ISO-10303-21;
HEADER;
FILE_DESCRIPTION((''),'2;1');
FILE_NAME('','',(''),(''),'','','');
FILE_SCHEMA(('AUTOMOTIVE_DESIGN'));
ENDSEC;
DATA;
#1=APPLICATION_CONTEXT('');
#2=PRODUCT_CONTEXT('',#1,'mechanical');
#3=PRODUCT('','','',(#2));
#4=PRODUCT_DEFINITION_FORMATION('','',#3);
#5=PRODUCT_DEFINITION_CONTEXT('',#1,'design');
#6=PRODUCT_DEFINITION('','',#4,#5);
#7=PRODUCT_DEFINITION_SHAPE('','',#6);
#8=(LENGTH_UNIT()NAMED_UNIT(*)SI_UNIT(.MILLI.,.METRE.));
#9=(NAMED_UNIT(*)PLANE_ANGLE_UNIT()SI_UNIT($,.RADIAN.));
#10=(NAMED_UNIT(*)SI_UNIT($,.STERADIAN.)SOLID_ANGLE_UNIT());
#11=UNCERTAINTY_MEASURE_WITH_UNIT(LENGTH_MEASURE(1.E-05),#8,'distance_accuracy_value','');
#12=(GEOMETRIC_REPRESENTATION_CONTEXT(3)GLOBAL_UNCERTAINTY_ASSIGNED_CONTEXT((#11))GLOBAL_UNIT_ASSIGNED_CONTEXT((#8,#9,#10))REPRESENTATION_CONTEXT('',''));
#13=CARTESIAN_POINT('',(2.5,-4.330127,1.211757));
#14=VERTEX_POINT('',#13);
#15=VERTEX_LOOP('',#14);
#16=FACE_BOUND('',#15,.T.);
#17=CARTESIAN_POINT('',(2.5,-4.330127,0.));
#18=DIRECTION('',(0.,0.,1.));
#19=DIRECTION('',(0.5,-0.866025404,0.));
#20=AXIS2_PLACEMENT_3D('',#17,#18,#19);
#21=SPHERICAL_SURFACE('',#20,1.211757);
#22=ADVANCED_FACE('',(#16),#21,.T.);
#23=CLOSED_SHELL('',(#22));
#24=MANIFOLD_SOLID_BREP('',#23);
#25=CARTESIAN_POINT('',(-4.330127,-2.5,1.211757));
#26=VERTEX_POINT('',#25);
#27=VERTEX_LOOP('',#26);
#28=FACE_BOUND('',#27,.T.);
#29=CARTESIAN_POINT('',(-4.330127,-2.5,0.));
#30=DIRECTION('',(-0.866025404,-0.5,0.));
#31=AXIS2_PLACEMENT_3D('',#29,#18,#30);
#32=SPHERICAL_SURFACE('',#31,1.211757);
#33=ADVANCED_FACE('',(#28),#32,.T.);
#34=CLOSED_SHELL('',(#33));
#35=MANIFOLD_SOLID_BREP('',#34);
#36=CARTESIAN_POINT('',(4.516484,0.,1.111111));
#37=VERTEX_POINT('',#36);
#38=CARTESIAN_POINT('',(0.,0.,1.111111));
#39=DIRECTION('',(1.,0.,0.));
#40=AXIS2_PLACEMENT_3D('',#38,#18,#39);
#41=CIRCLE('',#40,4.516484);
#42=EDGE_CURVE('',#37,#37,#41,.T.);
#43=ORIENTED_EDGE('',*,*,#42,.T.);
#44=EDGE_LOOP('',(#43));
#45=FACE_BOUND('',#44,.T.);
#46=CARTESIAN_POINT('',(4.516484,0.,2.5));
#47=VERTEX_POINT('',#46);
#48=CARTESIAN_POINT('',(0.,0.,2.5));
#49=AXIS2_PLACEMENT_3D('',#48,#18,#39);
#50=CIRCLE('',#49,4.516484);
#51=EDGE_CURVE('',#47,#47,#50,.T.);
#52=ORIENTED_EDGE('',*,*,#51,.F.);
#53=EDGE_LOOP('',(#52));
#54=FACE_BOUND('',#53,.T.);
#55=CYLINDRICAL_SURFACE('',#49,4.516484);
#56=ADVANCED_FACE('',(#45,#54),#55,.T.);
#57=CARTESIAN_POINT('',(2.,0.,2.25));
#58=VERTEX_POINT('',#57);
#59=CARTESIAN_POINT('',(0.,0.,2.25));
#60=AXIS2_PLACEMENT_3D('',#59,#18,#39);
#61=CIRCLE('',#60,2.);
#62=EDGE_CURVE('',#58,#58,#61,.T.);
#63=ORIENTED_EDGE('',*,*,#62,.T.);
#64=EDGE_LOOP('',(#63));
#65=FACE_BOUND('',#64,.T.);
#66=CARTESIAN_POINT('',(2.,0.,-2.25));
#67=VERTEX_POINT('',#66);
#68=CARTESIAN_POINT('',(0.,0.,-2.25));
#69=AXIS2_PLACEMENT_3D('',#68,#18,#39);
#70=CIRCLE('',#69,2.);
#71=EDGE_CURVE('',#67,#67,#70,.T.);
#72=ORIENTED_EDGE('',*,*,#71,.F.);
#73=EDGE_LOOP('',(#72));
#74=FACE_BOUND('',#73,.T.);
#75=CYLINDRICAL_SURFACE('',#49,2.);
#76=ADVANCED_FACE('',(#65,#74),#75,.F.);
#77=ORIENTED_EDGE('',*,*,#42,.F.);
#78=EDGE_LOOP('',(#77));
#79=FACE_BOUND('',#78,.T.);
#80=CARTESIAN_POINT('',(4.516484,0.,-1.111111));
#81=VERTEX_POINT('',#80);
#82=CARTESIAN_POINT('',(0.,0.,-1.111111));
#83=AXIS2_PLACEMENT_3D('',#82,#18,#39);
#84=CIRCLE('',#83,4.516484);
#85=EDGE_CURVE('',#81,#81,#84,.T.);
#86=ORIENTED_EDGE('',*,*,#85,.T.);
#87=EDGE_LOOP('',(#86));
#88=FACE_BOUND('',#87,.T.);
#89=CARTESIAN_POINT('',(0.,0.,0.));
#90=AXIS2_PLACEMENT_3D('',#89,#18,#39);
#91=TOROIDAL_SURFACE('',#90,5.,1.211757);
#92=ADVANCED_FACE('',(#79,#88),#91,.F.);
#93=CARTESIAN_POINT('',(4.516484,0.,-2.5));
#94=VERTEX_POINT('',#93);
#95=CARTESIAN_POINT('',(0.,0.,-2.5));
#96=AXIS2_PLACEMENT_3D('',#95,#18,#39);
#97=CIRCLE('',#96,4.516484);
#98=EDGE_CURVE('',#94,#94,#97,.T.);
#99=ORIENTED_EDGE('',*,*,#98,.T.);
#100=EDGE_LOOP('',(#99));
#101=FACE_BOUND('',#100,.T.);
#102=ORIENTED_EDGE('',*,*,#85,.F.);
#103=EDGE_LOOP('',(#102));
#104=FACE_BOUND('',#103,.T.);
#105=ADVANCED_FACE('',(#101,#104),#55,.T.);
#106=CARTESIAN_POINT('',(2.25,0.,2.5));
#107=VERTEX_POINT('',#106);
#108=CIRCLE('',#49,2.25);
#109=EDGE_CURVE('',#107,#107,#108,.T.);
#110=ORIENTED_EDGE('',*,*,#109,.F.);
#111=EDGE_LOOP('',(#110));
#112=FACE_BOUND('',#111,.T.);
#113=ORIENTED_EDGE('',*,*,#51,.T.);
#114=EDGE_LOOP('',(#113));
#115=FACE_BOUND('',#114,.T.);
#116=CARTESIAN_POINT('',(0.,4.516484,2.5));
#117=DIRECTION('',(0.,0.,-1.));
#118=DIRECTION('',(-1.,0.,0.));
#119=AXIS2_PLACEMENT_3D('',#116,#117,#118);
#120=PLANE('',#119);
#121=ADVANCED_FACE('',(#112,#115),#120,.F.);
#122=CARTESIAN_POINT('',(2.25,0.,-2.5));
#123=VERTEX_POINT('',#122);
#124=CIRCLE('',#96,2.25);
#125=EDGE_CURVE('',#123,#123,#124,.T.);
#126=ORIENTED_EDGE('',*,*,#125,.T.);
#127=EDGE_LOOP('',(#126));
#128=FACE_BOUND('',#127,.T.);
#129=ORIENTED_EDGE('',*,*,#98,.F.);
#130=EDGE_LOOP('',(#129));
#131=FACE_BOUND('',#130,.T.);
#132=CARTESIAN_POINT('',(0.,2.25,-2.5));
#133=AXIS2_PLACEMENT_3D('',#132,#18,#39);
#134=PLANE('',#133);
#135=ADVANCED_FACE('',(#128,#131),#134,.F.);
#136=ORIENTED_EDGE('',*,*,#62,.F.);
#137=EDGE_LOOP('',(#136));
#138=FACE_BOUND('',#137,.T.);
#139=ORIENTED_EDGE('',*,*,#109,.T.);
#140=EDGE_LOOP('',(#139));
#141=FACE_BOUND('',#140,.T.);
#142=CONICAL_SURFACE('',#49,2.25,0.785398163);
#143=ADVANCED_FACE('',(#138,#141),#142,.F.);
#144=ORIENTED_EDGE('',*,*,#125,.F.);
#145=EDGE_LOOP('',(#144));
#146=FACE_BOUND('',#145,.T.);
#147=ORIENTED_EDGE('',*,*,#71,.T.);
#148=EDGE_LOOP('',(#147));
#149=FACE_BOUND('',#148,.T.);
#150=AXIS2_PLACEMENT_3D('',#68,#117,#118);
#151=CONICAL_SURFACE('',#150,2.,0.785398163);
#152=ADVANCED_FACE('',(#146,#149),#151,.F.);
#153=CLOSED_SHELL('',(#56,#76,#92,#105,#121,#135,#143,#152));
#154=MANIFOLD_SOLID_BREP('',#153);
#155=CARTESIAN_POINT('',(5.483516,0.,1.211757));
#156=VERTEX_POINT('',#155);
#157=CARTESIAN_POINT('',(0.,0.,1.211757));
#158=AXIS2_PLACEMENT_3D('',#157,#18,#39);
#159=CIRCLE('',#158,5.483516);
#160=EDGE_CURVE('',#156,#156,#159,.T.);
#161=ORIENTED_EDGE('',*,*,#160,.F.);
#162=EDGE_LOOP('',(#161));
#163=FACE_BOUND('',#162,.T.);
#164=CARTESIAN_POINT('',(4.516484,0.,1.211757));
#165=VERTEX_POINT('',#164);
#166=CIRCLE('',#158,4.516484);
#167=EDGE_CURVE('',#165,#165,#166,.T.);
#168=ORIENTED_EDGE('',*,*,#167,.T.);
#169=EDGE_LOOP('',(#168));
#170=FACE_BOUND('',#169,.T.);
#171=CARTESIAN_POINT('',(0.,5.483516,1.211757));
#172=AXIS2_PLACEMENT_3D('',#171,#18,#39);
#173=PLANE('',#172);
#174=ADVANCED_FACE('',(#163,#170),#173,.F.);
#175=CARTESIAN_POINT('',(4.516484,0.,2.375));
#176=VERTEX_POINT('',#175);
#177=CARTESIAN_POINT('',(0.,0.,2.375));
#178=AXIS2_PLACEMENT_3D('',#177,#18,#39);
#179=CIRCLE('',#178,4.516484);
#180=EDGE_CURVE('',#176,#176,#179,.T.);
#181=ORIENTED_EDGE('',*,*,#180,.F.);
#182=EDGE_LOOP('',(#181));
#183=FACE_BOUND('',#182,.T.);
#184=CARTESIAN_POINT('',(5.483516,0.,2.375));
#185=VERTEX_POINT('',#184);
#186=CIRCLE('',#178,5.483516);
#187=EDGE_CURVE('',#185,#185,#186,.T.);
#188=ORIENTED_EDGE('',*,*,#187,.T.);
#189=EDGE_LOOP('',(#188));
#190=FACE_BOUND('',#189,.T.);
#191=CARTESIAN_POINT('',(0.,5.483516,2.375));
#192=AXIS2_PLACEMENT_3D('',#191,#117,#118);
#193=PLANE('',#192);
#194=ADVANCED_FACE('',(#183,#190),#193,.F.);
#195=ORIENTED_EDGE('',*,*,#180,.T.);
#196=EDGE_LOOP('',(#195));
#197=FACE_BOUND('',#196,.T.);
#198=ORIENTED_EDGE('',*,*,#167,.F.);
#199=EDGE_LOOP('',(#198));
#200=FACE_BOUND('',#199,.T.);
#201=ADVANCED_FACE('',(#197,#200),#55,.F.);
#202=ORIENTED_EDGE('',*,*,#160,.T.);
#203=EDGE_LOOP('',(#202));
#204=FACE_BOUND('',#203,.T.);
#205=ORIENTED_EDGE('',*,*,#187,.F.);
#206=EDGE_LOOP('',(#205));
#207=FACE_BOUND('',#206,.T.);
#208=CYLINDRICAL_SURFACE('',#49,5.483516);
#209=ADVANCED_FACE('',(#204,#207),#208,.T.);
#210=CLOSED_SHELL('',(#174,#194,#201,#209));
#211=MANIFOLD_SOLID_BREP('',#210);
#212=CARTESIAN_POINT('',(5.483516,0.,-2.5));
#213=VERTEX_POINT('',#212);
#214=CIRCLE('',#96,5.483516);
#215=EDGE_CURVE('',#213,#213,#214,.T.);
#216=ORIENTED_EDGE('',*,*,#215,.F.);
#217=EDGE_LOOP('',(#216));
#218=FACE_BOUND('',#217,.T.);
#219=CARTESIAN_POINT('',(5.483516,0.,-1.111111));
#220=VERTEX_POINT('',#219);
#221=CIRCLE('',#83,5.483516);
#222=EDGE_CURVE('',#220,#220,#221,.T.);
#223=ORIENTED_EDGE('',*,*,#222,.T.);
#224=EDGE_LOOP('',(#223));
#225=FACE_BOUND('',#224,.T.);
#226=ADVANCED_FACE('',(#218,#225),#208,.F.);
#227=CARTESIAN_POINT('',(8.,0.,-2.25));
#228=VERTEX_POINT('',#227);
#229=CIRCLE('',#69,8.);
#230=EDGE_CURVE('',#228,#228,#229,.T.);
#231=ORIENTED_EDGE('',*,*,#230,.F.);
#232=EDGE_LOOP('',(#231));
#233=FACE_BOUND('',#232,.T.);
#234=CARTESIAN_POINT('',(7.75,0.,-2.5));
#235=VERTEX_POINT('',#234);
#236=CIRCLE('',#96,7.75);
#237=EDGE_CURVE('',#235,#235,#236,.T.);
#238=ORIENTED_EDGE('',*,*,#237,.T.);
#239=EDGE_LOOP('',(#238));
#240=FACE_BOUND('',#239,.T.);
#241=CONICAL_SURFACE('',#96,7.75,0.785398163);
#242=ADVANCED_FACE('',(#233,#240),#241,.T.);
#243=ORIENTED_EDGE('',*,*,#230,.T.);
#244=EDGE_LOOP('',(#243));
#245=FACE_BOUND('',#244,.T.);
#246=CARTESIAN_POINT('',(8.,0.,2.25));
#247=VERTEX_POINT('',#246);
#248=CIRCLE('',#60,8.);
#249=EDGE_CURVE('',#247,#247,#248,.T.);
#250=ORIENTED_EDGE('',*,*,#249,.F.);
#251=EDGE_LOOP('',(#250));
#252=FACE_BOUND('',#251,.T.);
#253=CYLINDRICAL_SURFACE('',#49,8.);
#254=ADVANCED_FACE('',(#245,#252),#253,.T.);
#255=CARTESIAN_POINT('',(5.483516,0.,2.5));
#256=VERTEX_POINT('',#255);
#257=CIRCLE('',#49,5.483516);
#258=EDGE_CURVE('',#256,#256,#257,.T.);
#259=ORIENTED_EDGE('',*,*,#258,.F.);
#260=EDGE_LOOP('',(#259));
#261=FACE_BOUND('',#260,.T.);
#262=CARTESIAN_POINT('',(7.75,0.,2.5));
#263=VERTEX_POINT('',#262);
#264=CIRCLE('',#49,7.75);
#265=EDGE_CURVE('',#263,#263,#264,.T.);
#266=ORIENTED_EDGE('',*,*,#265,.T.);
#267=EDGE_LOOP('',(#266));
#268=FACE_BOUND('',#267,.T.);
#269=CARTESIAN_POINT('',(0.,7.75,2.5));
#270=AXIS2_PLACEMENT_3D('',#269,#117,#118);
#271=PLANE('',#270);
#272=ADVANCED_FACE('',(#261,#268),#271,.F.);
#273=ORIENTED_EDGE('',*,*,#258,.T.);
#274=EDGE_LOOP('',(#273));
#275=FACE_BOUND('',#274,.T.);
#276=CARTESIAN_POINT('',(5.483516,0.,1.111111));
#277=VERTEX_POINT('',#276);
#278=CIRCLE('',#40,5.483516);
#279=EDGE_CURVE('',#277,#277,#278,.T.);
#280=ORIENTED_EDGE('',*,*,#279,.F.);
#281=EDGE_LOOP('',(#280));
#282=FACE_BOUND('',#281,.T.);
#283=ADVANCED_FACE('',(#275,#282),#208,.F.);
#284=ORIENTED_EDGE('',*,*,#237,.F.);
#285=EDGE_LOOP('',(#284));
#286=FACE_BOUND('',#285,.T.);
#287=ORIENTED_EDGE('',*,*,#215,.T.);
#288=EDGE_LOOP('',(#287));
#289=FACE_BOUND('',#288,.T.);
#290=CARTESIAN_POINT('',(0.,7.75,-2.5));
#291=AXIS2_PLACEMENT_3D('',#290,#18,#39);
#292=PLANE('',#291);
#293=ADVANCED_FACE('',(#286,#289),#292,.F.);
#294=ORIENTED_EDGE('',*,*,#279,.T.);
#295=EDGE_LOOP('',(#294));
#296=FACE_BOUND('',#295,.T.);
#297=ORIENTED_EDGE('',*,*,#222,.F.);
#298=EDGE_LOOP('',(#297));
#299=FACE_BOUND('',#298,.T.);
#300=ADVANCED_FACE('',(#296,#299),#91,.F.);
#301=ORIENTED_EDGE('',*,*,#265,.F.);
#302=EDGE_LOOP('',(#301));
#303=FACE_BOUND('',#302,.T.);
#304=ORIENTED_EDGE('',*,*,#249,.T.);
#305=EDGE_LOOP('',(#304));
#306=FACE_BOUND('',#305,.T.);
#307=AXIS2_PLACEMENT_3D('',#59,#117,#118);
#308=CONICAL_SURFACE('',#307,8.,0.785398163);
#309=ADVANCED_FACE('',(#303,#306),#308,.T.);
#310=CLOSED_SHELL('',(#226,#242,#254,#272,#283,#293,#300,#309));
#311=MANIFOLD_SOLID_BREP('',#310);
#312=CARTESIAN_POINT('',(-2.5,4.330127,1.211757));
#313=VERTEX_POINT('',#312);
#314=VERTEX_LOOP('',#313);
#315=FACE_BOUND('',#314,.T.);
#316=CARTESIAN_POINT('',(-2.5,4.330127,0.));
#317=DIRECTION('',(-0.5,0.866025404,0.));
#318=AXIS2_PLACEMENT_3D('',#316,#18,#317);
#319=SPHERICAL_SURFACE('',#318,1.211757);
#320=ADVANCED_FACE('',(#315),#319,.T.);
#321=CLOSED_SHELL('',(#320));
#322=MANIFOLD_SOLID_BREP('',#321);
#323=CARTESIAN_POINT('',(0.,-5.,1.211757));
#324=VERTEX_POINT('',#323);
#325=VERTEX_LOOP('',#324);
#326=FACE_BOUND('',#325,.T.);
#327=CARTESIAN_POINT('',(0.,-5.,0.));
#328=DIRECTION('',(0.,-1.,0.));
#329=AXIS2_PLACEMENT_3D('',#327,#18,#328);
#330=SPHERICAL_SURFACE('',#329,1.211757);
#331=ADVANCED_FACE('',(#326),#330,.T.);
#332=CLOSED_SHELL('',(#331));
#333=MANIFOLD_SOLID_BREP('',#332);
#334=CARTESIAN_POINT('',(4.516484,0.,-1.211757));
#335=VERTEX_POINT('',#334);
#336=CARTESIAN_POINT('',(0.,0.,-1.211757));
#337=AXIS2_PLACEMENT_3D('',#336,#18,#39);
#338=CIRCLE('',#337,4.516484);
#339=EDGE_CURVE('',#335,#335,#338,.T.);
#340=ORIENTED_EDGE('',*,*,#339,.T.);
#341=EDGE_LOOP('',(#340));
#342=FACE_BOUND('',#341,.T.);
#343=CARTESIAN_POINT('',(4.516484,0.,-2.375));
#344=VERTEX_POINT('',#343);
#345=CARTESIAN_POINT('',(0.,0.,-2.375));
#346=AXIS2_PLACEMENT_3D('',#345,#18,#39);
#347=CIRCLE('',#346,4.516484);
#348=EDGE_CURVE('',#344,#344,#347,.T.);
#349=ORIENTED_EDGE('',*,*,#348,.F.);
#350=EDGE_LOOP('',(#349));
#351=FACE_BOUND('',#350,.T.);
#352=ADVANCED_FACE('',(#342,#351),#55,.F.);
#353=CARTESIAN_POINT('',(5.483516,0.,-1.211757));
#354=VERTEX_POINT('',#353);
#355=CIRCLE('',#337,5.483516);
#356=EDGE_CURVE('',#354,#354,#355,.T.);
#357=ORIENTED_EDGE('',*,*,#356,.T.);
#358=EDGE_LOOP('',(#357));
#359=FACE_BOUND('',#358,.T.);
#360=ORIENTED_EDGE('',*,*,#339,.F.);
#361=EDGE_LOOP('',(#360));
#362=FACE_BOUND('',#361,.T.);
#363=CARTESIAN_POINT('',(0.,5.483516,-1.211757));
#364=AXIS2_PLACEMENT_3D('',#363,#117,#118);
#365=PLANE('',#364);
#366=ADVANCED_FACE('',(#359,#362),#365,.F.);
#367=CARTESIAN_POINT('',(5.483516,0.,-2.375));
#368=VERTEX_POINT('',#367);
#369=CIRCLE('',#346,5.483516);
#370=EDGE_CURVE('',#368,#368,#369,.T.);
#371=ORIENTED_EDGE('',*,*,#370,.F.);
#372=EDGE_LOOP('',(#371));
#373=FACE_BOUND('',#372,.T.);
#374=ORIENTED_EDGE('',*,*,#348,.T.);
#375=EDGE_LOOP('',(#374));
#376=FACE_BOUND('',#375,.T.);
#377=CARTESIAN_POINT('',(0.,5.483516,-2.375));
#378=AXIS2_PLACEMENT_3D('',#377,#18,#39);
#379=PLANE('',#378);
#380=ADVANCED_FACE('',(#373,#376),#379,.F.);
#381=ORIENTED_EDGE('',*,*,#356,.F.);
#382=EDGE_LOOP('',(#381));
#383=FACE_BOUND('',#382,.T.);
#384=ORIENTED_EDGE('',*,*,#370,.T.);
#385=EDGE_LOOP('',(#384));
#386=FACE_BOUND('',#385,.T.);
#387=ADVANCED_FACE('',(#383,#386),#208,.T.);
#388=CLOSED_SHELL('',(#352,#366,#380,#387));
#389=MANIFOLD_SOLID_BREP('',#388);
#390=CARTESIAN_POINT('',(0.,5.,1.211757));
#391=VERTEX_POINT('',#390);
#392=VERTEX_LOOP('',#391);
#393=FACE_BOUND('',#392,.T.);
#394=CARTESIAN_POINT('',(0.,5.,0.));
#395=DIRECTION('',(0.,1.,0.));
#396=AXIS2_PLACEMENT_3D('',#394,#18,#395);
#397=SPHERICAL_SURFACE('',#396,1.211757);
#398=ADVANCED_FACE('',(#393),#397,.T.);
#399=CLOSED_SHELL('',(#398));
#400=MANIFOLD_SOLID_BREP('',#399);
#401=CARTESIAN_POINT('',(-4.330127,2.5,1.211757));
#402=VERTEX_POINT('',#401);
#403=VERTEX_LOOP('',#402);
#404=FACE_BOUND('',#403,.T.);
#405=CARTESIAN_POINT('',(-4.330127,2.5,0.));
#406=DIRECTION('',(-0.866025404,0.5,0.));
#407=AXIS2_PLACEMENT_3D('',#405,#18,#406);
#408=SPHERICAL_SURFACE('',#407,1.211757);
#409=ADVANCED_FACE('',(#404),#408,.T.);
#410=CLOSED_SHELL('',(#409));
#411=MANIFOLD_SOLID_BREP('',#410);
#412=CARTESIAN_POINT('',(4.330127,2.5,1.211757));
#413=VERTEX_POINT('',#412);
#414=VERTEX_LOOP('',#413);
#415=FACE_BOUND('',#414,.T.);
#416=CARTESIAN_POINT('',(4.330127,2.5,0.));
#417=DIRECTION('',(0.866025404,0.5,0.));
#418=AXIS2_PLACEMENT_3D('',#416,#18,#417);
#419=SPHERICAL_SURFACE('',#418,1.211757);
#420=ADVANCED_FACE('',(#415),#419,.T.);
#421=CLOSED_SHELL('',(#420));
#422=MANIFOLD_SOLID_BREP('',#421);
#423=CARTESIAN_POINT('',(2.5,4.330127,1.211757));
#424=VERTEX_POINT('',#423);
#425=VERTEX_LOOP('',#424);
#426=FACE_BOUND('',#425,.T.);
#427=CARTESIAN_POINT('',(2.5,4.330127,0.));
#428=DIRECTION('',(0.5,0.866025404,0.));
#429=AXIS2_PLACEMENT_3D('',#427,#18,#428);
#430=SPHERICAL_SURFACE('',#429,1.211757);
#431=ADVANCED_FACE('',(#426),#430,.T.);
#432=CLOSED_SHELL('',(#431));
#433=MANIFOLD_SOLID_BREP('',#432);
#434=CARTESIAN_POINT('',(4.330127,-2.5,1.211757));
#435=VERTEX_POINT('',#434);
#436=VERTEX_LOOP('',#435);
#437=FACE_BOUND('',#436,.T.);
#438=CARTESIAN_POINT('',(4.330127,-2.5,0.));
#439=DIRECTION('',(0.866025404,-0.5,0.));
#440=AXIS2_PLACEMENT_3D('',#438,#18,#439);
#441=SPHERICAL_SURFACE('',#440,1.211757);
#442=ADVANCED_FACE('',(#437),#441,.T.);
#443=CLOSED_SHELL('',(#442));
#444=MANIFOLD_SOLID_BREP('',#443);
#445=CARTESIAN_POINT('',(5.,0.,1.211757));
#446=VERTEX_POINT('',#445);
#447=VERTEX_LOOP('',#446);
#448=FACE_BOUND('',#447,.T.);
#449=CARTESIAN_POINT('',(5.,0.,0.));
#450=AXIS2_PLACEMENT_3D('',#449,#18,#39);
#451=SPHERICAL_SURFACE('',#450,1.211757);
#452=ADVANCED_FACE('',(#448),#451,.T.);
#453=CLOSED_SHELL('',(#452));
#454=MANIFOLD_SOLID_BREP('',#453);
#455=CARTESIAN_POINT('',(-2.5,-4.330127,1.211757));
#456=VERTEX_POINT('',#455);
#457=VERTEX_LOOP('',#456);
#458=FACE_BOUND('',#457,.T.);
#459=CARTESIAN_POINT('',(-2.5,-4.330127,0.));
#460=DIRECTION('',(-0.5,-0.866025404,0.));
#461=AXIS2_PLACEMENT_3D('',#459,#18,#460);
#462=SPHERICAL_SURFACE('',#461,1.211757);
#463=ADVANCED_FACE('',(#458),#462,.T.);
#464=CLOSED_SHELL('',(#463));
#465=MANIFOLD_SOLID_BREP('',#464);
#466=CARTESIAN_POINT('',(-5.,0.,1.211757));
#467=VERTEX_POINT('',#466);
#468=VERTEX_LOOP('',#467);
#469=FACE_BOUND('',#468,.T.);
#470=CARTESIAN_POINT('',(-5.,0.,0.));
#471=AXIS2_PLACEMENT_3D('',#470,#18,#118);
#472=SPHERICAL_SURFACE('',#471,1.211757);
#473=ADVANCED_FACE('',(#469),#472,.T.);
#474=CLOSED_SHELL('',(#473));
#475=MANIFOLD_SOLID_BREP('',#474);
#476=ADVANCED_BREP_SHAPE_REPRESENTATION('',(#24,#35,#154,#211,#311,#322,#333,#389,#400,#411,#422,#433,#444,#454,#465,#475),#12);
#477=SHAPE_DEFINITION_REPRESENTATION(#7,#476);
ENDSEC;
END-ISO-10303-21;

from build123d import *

# Parameters (mm, degrees)
CIRPATTERN1_COUNT = 12
SKETCH5_W         = 1.163242561
SKETCH5_H         = 0.967032968


with BuildPart() as part:
    # Sketch1 → Revolve1 (revolve)
    with BuildSketch(Plane(origin=(0, 0, 0), x_dir=(0, 0, -1), z_dir=(1, 0, 0))):
        with BuildLine():
            Line((2.25, 8), (-2.25, 8))
            Line((-2.25, 8), (-2.5, 7.75))
            Line((-2.5, 7.75), (-2.5, 5.483516484))
            Line((-2.5, 5.483516484), (-1.111111111, 5.483516484))
            ThreePointArc((-1.111111111, 5.483516484), (0, 6.211757439), (1.111111111, 5.483516484))
            Line((1.111111111, 5.483516484), (2.5, 5.483516484))
            Line((2.5, 5.483516484), (2.5, 7.75))
            Line((2.5, 7.75), (2.25, 8))
        make_face()
    revolve(axis=Axis((0, 0, 2.5), (0, 0, -1)))


with BuildPart() as body_2:
    # Sketch3 → Revolve3 (revolve)
    with BuildSketch(Plane(origin=(0, 0, 0), x_dir=(0, 0, -1), z_dir=(1, 0, 0))):
        with BuildLine():
            Line((-2.5, 4.516483516), (-1.111111111, 4.516483516))
            ThreePointArc((-1.111111111, 4.516483516), (0, 3.788242561), (1.111111111, 4.516483516))
            Line((1.111111111, 4.516483516), (2.5, 4.516483516))
            Line((2.5, 4.516483516), (2.5, 2.25))
            Line((2.5, 2.25), (2.25, 2))
            Line((2.25, 2), (-2.25, 2))
            Line((-2.25, 2), (-2.5, 2.25))
            Line((-2.5, 2.25), (-2.5, 4.516483516))
        make_face()
    revolve(axis=Axis((0, 0, 2.5), (0, 0, -1)))


with BuildPart() as body_3:
    # Sketch4 → Revolve4 (revolve)
    with BuildSketch(Plane(origin=(0, 0, 0), x_dir=(0, 0, -1), z_dir=(1, 0, 0))):
        with BuildLine():
            Line((-1.211757439, 5), (1.211757439, 5))
            ThreePointArc((1.211757439, 5), (0, 6.211757439), (-1.211757439, 5))
        make_face()
    revolve(axis=Axis((0, 5, 1.211757439), (0, 0, -1)))


with BuildPart() as cirpattern1_1:
    # CirPattern1: pattern copy
    add(body_3.part.rotate(Axis((0, 0, -2.5), (0, 0, 1)), 1 * 360 / CIRPATTERN1_COUNT))


with BuildPart() as cirpattern1_2:
    # CirPattern1: pattern copy
    add(body_3.part.rotate(Axis((0, 0, -2.5), (0, 0, 1)), 2 * 360 / CIRPATTERN1_COUNT))


with BuildPart() as cirpattern1_3:
    # CirPattern1: pattern copy
    add(body_3.part.rotate(Axis((0, 0, -2.5), (0, 0, 1)), 3 * 360 / CIRPATTERN1_COUNT))


with BuildPart() as cirpattern1_4:
    # CirPattern1: pattern copy
    add(body_3.part.rotate(Axis((0, 0, -2.5), (0, 0, 1)), 4 * 360 / CIRPATTERN1_COUNT))


with BuildPart() as cirpattern1_5:
    # CirPattern1: pattern copy
    add(body_3.part.rotate(Axis((0, 0, -2.5), (0, 0, 1)), 5 * 360 / CIRPATTERN1_COUNT))


with BuildPart() as cirpattern1_6:
    # CirPattern1: pattern copy
    add(body_3.part.rotate(Axis((0, 0, -2.5), (0, 0, 1)), 6 * 360 / CIRPATTERN1_COUNT))


with BuildPart() as cirpattern1_7:
    # CirPattern1: pattern copy
    add(body_3.part.rotate(Axis((0, 0, -2.5), (0, 0, 1)), 7 * 360 / CIRPATTERN1_COUNT))


with BuildPart() as cirpattern1_8:
    # CirPattern1: pattern copy
    add(body_3.part.rotate(Axis((0, 0, -2.5), (0, 0, 1)), 8 * 360 / CIRPATTERN1_COUNT))


with BuildPart() as cirpattern1_9:
    # CirPattern1: pattern copy
    add(body_3.part.rotate(Axis((0, 0, -2.5), (0, 0, 1)), 9 * 360 / CIRPATTERN1_COUNT))


with BuildPart() as cirpattern1_10:
    # CirPattern1: pattern copy
    add(body_3.part.rotate(Axis((0, 0, -2.5), (0, 0, 1)), 10 * 360 / CIRPATTERN1_COUNT))


with BuildPart() as cirpattern1_11:
    # CirPattern1: pattern copy
    add(body_3.part.rotate(Axis((0, 0, -2.5), (0, 0, 1)), 11 * 360 / CIRPATTERN1_COUNT))


with BuildPart() as body_15:
    # Sketch5 → Revolve5 (revolve)
    with BuildSketch(Plane(origin=(0, 0, 0), x_dir=(0, 0, -1), z_dir=(1, 0, 0))):
        with Locations((-1.79337872, 5)):
            Rectangle(SKETCH5_W, SKETCH5_H)
        with Locations((1.79337872, 5)):
            Rectangle(SKETCH5_W, SKETCH5_H)
    revolve(axis=Axis((0, 0, 2.5), (0, 0, -1)))


solid = Compound([part.part, body_2.part, body_3.part, cirpattern1_1.part, cirpattern1_2.part, cirpattern1_3.part, cirpattern1_4.part, cirpattern1_5.part, cirpattern1_6.part, cirpattern1_7.part, cirpattern1_8.part, cirpattern1_9.part, cirpattern1_10.part, cirpattern1_11.part, body_15.part])
